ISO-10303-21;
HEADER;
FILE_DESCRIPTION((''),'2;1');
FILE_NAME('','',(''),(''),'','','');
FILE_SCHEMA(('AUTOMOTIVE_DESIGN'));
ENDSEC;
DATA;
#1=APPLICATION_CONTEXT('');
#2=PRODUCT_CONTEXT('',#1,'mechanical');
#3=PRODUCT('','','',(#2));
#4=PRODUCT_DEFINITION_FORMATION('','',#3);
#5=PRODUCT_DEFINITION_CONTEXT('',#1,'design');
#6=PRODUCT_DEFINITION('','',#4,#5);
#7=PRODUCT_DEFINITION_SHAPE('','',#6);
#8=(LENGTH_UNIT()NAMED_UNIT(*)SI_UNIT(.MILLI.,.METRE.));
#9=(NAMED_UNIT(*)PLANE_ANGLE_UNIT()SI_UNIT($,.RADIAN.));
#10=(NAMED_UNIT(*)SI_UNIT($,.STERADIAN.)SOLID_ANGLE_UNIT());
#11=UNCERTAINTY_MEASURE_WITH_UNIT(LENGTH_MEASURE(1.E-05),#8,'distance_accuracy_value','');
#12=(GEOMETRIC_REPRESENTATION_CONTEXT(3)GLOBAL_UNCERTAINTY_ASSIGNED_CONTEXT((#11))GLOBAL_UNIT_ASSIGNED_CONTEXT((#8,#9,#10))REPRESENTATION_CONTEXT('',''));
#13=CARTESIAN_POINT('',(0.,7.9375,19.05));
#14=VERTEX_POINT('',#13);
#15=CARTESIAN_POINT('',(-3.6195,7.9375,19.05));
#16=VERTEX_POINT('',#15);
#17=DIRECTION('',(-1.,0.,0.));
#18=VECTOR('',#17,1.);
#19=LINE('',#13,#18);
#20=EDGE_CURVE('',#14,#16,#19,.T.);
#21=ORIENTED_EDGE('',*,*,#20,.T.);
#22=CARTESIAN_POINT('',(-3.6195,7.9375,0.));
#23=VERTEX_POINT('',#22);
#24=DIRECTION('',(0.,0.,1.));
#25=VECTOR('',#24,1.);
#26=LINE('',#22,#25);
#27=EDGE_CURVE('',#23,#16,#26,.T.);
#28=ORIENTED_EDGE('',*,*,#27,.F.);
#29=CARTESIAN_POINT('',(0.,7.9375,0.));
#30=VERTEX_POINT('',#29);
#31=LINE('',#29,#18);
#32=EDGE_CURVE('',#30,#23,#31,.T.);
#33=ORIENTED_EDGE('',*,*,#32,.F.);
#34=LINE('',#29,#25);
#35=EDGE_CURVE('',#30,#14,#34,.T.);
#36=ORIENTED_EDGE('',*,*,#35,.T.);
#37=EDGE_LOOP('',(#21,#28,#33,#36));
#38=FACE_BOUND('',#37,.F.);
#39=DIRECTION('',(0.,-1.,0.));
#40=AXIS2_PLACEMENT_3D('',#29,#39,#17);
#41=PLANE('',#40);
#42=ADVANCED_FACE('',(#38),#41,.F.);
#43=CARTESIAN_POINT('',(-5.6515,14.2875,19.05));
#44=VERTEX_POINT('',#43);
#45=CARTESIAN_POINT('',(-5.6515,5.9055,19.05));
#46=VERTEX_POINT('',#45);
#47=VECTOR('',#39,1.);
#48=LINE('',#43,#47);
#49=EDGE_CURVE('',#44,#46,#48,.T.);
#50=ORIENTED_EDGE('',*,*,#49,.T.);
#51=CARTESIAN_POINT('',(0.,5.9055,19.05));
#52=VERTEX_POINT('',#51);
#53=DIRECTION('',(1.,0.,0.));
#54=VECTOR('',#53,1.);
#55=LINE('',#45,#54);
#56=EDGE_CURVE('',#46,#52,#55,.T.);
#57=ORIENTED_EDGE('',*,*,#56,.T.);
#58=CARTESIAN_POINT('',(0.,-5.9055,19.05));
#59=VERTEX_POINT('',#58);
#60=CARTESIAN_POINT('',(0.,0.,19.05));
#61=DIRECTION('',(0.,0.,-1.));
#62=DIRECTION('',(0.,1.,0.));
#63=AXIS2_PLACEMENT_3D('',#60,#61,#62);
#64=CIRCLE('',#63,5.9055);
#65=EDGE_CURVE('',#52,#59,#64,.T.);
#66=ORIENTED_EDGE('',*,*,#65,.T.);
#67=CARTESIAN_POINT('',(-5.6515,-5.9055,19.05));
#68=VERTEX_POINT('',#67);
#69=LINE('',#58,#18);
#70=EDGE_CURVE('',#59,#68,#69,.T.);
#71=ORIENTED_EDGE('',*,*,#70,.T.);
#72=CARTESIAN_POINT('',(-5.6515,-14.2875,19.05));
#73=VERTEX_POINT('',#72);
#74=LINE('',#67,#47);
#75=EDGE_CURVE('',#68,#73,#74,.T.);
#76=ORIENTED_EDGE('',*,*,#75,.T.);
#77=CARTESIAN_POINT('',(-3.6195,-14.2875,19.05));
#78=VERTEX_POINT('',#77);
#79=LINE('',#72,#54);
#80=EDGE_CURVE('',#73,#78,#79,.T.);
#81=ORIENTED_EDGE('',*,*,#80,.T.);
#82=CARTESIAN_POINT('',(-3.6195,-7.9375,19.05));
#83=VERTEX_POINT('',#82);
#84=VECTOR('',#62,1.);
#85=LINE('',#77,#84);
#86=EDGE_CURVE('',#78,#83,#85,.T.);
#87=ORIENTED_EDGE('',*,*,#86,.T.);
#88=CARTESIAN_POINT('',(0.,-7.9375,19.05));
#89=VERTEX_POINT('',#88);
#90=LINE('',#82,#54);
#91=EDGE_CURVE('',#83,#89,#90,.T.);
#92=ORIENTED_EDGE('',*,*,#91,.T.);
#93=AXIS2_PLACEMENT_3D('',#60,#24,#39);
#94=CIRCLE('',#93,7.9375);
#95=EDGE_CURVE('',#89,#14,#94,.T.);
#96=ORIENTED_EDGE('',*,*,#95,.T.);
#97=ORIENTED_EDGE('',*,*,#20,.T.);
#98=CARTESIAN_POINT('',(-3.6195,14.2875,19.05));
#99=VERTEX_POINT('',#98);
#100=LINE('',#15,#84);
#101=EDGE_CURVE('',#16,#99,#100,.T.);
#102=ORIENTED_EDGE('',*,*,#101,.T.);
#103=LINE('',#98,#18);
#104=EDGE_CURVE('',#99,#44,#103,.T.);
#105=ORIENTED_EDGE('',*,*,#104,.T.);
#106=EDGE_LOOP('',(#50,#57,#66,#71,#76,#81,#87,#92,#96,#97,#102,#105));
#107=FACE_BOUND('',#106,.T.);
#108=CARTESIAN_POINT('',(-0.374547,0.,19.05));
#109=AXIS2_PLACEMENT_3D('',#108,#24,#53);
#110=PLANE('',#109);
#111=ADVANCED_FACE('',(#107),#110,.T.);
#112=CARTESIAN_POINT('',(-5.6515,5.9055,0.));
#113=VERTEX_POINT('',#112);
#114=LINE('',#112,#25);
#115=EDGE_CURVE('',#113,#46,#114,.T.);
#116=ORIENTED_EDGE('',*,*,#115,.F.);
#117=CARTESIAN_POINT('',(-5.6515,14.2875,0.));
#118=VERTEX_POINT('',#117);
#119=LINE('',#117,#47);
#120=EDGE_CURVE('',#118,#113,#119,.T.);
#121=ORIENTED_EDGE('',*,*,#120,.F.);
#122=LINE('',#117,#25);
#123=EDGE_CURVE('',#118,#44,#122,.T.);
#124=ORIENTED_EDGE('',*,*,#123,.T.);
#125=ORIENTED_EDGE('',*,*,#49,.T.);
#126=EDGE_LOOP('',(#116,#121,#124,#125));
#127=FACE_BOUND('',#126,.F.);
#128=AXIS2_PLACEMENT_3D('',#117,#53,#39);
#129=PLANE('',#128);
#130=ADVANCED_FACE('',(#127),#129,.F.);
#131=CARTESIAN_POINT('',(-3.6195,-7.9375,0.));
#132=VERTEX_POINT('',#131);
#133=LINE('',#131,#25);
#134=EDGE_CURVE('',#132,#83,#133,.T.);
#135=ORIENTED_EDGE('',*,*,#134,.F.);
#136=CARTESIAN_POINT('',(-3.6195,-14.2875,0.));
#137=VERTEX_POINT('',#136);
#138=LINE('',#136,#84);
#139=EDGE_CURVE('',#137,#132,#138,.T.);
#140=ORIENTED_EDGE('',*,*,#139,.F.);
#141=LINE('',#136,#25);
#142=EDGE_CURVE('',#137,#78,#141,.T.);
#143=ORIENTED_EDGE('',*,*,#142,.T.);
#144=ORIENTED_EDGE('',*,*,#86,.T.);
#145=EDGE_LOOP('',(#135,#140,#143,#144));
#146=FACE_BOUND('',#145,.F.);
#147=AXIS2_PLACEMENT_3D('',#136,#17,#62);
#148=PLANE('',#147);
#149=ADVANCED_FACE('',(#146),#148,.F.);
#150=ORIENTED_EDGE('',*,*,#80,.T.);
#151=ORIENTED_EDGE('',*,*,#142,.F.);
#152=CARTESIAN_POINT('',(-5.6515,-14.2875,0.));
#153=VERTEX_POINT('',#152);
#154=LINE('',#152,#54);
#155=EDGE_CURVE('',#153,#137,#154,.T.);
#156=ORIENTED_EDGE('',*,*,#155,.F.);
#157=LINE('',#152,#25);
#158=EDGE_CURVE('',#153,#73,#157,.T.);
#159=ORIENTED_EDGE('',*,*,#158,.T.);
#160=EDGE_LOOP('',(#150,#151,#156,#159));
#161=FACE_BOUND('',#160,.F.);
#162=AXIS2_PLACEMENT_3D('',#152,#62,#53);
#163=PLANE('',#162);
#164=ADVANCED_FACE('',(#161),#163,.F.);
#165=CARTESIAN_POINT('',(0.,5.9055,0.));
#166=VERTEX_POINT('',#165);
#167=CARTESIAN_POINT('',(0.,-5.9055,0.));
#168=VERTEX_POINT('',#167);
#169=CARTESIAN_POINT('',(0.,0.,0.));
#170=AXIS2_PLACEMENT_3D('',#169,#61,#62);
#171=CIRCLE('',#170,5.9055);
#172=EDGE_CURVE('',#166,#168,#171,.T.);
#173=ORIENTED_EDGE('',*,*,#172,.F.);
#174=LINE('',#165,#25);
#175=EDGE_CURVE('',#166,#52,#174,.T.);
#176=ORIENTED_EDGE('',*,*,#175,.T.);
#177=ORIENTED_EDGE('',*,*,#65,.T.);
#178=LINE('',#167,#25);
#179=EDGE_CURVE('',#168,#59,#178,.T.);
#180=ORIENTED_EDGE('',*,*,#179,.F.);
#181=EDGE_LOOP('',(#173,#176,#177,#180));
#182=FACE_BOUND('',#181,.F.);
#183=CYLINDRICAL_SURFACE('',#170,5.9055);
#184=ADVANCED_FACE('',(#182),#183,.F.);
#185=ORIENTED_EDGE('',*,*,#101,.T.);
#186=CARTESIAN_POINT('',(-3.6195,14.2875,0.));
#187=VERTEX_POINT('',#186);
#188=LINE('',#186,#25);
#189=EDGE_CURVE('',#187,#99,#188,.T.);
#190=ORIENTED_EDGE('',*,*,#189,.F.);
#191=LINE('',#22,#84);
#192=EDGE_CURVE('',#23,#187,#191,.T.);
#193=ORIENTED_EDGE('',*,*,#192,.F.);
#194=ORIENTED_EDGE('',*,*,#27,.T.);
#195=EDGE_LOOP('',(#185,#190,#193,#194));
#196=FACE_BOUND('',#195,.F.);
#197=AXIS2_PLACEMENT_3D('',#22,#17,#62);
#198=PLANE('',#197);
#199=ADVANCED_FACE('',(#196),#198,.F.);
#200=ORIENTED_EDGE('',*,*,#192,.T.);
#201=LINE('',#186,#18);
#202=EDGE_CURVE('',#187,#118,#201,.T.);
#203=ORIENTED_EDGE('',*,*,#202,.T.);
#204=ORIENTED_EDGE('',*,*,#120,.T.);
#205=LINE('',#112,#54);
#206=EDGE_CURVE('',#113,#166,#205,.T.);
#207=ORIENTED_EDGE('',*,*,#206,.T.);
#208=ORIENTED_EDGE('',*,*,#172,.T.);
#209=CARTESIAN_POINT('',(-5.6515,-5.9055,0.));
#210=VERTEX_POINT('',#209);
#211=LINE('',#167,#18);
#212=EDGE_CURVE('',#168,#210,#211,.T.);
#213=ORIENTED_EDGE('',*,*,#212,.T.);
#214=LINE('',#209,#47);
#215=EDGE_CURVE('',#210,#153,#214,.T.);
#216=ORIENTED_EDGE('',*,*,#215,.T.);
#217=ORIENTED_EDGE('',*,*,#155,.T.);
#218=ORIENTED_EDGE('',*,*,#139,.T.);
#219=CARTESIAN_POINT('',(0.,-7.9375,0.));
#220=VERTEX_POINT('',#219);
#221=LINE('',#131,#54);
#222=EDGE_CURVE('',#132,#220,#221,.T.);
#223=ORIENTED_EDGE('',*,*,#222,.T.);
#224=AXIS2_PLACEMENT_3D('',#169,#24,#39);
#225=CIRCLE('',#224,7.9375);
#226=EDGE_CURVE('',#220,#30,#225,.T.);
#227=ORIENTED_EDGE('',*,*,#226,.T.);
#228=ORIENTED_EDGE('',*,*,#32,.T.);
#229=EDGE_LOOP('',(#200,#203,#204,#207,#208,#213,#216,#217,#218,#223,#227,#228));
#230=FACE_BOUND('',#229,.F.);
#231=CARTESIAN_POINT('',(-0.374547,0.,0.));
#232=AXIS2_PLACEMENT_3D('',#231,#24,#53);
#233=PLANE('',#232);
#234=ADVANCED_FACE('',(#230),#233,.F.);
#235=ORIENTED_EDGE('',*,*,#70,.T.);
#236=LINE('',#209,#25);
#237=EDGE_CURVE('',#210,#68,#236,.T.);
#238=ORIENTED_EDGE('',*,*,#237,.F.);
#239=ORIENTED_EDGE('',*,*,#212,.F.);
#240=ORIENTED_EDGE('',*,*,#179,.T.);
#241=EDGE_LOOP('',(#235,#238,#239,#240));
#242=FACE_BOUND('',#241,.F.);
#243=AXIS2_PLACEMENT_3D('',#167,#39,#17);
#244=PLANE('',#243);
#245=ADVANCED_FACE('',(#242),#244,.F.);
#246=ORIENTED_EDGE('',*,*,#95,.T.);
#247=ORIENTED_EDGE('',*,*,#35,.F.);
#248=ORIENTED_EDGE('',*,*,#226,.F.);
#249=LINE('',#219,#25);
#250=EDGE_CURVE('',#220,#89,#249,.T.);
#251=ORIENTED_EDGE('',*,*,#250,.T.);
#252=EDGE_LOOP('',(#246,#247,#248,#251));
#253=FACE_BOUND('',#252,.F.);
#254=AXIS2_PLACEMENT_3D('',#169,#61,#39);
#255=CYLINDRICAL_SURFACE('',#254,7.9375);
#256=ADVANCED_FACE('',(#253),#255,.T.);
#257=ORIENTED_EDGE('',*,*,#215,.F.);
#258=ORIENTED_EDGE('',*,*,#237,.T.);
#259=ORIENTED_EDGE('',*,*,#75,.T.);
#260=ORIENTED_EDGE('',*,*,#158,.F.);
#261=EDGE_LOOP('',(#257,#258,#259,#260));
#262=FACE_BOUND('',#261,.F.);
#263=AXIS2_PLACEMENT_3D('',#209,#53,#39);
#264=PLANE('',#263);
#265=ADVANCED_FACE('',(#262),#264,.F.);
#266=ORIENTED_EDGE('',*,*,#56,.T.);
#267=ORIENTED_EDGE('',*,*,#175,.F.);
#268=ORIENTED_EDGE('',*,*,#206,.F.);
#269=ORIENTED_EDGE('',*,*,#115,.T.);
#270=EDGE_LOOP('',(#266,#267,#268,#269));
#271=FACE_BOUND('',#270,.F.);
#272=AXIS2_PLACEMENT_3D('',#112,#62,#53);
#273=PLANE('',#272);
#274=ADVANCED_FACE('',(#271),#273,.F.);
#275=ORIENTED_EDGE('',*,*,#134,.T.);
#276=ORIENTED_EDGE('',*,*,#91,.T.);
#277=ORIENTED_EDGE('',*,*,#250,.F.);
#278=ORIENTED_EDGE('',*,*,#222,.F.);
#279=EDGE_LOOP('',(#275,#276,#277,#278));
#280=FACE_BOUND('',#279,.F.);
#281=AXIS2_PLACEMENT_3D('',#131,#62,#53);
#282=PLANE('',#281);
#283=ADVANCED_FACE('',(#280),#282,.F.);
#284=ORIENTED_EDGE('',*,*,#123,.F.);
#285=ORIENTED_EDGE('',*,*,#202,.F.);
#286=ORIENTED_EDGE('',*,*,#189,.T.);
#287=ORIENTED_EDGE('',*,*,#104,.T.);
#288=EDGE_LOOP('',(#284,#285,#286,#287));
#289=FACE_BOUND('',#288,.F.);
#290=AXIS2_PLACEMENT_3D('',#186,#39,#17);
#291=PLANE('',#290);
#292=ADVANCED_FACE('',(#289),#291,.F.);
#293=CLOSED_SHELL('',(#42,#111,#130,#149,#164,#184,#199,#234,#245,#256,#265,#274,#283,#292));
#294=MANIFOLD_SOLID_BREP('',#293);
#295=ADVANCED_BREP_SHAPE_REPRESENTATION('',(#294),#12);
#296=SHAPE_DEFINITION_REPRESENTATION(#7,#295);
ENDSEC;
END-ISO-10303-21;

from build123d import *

# Parameters (mm, degrees)
F1_DEPTH = 19.05


with BuildPart() as f1:
    # F0 (on Top) → F1 (new body)
    with BuildSketch(Plane.XY):
        with BuildLine():
            Line((-5.6515, 5.9055), (0, 5.9055))
            ThreePointArc((0, 5.9055), (5.9055, 0), (0, -5.9055))
            Line((0, -5.9055), (-5.6515, -5.9055))
            Line((-5.6515, -5.9055), (-5.6515, -7.9375))
            Line((-5.6515, -7.9375), (-5.6515, -14.2875))
            Line((-5.6515, -14.2875), (-3.6195, -14.2875))
            Line((-3.6195, -14.2875), (-3.6195, -7.9375))
            Line((-3.6195, -7.9375), (0, -7.9375))
            ThreePointArc((0, -7.9375), (7.9375, 0), (0, 7.9375))
            Line((0, 7.9375), (-3.6195, 7.9375))
            Line((-3.6195, 7.9375), (-3.6195, 14.2875))
            Line((-3.6195, 14.2875), (-5.6515, 14.2875))
            Line((-5.6515, 14.2875), (-5.6515, 7.9375))
            Line((-5.6515, 7.9375), (-5.6515, 5.9055))
        make_face()
    extrude(amount=F1_DEPTH)


solid = f1.part
